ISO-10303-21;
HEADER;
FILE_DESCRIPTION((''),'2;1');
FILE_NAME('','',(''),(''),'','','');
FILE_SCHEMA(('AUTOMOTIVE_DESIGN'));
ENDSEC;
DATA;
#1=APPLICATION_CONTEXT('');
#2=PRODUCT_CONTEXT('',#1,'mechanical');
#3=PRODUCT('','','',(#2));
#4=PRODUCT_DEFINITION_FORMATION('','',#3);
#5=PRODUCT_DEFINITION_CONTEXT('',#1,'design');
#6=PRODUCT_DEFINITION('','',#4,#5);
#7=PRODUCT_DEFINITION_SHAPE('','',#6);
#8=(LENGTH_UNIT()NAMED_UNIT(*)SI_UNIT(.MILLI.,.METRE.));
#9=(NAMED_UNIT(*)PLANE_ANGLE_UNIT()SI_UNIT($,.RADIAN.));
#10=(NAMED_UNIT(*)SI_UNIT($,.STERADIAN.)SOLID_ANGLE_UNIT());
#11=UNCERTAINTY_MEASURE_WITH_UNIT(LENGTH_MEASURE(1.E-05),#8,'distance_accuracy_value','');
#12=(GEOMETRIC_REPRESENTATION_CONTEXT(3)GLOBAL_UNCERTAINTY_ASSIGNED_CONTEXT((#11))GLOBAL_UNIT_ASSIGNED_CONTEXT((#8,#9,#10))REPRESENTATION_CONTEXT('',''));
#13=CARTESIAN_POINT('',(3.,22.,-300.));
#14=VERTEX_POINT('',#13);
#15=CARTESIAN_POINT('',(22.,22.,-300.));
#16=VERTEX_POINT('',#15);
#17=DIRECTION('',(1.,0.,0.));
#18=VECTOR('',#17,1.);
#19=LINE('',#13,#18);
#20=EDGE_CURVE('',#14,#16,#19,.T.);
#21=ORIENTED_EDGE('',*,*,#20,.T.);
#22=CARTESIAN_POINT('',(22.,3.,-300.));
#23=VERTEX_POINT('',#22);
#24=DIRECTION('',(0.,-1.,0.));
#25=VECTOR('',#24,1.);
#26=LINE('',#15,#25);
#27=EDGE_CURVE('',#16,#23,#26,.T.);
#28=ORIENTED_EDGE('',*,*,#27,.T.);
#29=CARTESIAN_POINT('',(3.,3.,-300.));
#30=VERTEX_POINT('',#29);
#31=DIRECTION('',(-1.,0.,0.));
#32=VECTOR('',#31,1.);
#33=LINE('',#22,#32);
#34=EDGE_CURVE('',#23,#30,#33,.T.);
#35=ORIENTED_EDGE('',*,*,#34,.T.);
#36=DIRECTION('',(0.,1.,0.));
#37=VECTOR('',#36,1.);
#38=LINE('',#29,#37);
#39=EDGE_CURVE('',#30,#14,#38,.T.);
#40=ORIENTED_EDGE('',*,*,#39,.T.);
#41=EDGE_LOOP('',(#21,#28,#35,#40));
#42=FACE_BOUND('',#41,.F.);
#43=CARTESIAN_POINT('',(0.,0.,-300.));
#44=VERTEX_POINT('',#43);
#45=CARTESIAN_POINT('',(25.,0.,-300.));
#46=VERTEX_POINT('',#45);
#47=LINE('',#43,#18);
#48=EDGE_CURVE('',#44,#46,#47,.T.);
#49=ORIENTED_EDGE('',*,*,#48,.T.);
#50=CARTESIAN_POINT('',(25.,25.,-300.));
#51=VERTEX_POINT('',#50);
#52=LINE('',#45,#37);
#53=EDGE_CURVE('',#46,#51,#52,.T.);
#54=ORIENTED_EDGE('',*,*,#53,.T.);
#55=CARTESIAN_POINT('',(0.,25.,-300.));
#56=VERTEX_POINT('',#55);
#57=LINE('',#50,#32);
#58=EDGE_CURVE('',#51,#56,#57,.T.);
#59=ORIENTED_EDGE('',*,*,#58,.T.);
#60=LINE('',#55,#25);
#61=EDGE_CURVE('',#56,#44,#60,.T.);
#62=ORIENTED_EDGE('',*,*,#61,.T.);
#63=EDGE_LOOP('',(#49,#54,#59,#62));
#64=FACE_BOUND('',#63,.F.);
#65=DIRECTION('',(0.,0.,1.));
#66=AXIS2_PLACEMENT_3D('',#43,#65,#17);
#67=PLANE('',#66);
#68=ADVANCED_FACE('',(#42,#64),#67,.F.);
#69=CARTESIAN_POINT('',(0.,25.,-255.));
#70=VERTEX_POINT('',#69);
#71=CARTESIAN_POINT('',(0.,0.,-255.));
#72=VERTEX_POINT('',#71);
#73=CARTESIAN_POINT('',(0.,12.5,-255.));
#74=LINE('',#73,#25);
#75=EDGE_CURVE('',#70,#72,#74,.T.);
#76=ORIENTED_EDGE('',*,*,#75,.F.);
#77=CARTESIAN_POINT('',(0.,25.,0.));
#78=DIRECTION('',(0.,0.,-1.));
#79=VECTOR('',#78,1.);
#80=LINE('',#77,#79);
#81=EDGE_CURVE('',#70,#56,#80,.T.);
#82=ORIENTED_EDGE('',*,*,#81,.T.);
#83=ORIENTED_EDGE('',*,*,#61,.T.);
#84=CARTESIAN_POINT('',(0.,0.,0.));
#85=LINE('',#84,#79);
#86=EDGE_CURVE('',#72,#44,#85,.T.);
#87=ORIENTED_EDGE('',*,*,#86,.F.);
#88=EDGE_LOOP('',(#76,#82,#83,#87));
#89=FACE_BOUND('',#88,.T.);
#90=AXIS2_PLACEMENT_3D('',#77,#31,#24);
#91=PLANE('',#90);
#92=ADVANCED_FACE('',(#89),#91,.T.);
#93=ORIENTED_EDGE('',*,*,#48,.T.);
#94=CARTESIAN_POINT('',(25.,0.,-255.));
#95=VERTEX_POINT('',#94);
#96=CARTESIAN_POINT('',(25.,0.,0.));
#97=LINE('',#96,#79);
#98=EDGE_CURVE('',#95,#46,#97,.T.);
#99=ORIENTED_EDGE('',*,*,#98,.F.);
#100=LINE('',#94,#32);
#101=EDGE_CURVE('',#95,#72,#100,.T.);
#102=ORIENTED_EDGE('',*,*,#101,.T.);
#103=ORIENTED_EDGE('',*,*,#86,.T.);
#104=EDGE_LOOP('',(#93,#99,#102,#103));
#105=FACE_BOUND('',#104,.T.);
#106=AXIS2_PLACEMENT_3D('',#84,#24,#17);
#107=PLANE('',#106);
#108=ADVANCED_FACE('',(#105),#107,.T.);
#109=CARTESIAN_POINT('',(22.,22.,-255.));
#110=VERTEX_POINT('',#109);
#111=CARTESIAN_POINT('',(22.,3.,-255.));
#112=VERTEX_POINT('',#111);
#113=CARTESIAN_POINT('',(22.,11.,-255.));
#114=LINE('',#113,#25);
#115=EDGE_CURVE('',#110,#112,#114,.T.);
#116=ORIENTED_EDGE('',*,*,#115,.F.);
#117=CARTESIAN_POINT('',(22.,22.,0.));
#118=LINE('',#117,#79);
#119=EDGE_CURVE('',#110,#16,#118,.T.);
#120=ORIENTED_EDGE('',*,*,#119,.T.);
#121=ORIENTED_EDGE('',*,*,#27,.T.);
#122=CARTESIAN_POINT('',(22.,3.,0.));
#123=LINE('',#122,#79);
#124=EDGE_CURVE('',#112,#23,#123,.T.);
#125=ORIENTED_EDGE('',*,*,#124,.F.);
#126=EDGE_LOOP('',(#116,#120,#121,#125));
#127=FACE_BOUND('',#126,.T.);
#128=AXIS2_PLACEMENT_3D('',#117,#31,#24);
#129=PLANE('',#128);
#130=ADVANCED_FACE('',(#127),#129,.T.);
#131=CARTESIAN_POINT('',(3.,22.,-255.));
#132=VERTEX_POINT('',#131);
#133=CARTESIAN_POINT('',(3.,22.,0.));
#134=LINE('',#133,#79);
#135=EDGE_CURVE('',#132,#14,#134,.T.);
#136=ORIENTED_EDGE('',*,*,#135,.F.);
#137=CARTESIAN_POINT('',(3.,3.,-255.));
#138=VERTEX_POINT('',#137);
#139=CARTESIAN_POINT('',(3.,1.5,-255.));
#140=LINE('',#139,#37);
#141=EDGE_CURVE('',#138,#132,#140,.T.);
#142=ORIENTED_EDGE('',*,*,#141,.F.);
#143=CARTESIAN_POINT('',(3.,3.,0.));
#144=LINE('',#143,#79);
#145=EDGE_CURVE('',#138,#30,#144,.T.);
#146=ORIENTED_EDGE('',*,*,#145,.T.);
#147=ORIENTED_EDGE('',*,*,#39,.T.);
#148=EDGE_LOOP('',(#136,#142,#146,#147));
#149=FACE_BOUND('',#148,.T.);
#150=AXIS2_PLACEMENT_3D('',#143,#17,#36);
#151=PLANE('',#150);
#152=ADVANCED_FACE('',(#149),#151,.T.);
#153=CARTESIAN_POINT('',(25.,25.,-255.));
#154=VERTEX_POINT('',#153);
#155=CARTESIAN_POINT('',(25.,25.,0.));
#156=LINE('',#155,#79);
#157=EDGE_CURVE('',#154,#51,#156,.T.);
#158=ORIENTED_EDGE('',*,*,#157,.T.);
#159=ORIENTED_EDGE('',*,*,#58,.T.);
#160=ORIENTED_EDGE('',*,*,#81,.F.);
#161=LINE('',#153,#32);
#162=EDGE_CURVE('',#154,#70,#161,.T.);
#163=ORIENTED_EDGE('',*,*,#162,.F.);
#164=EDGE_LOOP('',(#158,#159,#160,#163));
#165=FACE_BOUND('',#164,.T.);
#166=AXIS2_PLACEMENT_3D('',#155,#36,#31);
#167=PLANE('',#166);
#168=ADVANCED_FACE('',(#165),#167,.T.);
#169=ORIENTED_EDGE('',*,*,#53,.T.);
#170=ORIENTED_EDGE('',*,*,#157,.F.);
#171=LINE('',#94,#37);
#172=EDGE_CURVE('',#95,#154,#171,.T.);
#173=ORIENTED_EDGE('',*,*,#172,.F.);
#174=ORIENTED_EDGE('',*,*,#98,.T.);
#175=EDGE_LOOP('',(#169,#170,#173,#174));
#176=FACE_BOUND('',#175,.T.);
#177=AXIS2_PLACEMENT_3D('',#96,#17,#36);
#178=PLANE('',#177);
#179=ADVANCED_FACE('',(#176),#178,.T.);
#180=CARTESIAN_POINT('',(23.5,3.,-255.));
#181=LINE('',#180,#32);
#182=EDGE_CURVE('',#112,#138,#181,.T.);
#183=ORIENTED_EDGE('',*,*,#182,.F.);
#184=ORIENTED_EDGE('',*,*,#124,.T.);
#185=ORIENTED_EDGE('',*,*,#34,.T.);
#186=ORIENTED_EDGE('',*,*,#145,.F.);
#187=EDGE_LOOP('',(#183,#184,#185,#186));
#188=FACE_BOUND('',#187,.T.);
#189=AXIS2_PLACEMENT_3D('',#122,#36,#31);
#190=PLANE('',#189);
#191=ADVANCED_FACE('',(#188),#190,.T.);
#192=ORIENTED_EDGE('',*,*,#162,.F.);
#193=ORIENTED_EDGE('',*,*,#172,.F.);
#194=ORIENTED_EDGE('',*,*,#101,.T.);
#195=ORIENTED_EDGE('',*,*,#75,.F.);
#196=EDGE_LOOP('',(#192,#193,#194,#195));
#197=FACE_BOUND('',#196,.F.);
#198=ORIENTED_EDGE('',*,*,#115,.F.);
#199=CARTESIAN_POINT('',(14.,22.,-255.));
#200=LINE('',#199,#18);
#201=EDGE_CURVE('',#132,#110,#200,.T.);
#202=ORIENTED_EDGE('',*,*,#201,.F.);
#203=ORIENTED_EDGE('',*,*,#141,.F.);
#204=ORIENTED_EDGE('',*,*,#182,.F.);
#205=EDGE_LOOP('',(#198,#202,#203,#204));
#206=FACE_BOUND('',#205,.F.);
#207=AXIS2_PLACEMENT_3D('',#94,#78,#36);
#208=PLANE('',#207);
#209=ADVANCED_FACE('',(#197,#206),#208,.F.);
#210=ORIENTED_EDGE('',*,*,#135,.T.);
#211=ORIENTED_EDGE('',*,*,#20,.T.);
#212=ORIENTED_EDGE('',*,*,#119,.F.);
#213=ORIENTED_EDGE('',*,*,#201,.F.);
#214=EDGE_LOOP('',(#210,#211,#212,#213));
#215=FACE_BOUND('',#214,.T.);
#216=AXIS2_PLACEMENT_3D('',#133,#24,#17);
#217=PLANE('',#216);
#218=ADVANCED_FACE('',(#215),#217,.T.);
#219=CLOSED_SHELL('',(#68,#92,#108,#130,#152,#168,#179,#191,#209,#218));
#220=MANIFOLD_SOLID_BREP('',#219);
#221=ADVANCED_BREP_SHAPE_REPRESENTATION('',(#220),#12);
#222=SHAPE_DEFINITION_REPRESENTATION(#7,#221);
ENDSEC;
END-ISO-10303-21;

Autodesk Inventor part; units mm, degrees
ref_plane "YZ Plane" through (0, 0, 0) normal (1, 0, 0) x (0, 1, 0)
ref_plane "XZ Plane" through (0, 0, 0) normal (0, 1, 0) x (-1, 0, 0)
ref_plane "XY Plane" through (0, 0, 0) normal (0, 0, 1) x (1, 0, 0)
sketch "Sketch1" plane through (0, 0, 0) normal (0, 0, 1) x (1, 0, 0)
  line L0 (0, 0) -> (25, 0)
  line L1 (25, 0) -> (25, 25)
  line L2 (25, 25) -> (0, 25)
  line L3 (0, 25) -> (0, 0)
  line L4 (3, 22) -> (22, 22)
  line L5 (22, 22) -> (22, 3)
  line L6 (22, 3) -> (3, 3)
  line L7 (3, 3) -> (3, 22)
  dimension "d0" = 25
  dimension "d1" = 25
  dimension "d2" = 3
extrude "Extrusion1" add sketch "Sketch1" against normal blind 300
sketch "Sketch2" plane through (25, 0, 0) normal (1, 0, 0) x (0, 0, -1)
  line L0 (0, 0) -> (0, 25) projected
  line L1 (0, 0) -> (300, 0) projected
  line L2 (300, 25) -> (300, 0) projected
  line L3 (0, 25) -> (300, 25) projected
  line L4 (0, 25) -> (300, 25) projected
  line L5 (48.3423, 25) -> (60, 0)
  line L6 (0, 0) -> (300, 0) projected
  line L7 (0, 0) -> (-11.6577, 25)
  line L8 (-11.6577, 25) -> (48.3423, 25)
  line L9 (255, 0) -> (230, 25)
  line L10 (255, 0) -> (300, 0)
  line L11 (0, 3) -> (300, 3) projected
  line L12 (275, 25) -> (230, 25)
  line L13 (255, 0) -> (255, 25)
  line L14 (242.5, 12.5) -> (255, 25)
  line L15 (255, 0) -> (255, 3)
  line L16 (0, 3) -> (300, 3) projected
  line L17 (252, 3) -> (255, 3)
  line L18 (252, 3) -> (255, 0)
  point P0 (58.6011, 3)
  point P1 (255, 3)
  point P2 (255, 3)
  dimension "d6" = 65
  dimension "d10" = 60
  dimension "d11" = 45
  dimension "d21" = 70
extrude "Extrusion2" cut sketch "Sketch2" against normal blind 300 contours L13 L11 L2 L1 | L13 L3 L2 L11 keep common part
properties part number "P601" material "Aluminum 6061"
